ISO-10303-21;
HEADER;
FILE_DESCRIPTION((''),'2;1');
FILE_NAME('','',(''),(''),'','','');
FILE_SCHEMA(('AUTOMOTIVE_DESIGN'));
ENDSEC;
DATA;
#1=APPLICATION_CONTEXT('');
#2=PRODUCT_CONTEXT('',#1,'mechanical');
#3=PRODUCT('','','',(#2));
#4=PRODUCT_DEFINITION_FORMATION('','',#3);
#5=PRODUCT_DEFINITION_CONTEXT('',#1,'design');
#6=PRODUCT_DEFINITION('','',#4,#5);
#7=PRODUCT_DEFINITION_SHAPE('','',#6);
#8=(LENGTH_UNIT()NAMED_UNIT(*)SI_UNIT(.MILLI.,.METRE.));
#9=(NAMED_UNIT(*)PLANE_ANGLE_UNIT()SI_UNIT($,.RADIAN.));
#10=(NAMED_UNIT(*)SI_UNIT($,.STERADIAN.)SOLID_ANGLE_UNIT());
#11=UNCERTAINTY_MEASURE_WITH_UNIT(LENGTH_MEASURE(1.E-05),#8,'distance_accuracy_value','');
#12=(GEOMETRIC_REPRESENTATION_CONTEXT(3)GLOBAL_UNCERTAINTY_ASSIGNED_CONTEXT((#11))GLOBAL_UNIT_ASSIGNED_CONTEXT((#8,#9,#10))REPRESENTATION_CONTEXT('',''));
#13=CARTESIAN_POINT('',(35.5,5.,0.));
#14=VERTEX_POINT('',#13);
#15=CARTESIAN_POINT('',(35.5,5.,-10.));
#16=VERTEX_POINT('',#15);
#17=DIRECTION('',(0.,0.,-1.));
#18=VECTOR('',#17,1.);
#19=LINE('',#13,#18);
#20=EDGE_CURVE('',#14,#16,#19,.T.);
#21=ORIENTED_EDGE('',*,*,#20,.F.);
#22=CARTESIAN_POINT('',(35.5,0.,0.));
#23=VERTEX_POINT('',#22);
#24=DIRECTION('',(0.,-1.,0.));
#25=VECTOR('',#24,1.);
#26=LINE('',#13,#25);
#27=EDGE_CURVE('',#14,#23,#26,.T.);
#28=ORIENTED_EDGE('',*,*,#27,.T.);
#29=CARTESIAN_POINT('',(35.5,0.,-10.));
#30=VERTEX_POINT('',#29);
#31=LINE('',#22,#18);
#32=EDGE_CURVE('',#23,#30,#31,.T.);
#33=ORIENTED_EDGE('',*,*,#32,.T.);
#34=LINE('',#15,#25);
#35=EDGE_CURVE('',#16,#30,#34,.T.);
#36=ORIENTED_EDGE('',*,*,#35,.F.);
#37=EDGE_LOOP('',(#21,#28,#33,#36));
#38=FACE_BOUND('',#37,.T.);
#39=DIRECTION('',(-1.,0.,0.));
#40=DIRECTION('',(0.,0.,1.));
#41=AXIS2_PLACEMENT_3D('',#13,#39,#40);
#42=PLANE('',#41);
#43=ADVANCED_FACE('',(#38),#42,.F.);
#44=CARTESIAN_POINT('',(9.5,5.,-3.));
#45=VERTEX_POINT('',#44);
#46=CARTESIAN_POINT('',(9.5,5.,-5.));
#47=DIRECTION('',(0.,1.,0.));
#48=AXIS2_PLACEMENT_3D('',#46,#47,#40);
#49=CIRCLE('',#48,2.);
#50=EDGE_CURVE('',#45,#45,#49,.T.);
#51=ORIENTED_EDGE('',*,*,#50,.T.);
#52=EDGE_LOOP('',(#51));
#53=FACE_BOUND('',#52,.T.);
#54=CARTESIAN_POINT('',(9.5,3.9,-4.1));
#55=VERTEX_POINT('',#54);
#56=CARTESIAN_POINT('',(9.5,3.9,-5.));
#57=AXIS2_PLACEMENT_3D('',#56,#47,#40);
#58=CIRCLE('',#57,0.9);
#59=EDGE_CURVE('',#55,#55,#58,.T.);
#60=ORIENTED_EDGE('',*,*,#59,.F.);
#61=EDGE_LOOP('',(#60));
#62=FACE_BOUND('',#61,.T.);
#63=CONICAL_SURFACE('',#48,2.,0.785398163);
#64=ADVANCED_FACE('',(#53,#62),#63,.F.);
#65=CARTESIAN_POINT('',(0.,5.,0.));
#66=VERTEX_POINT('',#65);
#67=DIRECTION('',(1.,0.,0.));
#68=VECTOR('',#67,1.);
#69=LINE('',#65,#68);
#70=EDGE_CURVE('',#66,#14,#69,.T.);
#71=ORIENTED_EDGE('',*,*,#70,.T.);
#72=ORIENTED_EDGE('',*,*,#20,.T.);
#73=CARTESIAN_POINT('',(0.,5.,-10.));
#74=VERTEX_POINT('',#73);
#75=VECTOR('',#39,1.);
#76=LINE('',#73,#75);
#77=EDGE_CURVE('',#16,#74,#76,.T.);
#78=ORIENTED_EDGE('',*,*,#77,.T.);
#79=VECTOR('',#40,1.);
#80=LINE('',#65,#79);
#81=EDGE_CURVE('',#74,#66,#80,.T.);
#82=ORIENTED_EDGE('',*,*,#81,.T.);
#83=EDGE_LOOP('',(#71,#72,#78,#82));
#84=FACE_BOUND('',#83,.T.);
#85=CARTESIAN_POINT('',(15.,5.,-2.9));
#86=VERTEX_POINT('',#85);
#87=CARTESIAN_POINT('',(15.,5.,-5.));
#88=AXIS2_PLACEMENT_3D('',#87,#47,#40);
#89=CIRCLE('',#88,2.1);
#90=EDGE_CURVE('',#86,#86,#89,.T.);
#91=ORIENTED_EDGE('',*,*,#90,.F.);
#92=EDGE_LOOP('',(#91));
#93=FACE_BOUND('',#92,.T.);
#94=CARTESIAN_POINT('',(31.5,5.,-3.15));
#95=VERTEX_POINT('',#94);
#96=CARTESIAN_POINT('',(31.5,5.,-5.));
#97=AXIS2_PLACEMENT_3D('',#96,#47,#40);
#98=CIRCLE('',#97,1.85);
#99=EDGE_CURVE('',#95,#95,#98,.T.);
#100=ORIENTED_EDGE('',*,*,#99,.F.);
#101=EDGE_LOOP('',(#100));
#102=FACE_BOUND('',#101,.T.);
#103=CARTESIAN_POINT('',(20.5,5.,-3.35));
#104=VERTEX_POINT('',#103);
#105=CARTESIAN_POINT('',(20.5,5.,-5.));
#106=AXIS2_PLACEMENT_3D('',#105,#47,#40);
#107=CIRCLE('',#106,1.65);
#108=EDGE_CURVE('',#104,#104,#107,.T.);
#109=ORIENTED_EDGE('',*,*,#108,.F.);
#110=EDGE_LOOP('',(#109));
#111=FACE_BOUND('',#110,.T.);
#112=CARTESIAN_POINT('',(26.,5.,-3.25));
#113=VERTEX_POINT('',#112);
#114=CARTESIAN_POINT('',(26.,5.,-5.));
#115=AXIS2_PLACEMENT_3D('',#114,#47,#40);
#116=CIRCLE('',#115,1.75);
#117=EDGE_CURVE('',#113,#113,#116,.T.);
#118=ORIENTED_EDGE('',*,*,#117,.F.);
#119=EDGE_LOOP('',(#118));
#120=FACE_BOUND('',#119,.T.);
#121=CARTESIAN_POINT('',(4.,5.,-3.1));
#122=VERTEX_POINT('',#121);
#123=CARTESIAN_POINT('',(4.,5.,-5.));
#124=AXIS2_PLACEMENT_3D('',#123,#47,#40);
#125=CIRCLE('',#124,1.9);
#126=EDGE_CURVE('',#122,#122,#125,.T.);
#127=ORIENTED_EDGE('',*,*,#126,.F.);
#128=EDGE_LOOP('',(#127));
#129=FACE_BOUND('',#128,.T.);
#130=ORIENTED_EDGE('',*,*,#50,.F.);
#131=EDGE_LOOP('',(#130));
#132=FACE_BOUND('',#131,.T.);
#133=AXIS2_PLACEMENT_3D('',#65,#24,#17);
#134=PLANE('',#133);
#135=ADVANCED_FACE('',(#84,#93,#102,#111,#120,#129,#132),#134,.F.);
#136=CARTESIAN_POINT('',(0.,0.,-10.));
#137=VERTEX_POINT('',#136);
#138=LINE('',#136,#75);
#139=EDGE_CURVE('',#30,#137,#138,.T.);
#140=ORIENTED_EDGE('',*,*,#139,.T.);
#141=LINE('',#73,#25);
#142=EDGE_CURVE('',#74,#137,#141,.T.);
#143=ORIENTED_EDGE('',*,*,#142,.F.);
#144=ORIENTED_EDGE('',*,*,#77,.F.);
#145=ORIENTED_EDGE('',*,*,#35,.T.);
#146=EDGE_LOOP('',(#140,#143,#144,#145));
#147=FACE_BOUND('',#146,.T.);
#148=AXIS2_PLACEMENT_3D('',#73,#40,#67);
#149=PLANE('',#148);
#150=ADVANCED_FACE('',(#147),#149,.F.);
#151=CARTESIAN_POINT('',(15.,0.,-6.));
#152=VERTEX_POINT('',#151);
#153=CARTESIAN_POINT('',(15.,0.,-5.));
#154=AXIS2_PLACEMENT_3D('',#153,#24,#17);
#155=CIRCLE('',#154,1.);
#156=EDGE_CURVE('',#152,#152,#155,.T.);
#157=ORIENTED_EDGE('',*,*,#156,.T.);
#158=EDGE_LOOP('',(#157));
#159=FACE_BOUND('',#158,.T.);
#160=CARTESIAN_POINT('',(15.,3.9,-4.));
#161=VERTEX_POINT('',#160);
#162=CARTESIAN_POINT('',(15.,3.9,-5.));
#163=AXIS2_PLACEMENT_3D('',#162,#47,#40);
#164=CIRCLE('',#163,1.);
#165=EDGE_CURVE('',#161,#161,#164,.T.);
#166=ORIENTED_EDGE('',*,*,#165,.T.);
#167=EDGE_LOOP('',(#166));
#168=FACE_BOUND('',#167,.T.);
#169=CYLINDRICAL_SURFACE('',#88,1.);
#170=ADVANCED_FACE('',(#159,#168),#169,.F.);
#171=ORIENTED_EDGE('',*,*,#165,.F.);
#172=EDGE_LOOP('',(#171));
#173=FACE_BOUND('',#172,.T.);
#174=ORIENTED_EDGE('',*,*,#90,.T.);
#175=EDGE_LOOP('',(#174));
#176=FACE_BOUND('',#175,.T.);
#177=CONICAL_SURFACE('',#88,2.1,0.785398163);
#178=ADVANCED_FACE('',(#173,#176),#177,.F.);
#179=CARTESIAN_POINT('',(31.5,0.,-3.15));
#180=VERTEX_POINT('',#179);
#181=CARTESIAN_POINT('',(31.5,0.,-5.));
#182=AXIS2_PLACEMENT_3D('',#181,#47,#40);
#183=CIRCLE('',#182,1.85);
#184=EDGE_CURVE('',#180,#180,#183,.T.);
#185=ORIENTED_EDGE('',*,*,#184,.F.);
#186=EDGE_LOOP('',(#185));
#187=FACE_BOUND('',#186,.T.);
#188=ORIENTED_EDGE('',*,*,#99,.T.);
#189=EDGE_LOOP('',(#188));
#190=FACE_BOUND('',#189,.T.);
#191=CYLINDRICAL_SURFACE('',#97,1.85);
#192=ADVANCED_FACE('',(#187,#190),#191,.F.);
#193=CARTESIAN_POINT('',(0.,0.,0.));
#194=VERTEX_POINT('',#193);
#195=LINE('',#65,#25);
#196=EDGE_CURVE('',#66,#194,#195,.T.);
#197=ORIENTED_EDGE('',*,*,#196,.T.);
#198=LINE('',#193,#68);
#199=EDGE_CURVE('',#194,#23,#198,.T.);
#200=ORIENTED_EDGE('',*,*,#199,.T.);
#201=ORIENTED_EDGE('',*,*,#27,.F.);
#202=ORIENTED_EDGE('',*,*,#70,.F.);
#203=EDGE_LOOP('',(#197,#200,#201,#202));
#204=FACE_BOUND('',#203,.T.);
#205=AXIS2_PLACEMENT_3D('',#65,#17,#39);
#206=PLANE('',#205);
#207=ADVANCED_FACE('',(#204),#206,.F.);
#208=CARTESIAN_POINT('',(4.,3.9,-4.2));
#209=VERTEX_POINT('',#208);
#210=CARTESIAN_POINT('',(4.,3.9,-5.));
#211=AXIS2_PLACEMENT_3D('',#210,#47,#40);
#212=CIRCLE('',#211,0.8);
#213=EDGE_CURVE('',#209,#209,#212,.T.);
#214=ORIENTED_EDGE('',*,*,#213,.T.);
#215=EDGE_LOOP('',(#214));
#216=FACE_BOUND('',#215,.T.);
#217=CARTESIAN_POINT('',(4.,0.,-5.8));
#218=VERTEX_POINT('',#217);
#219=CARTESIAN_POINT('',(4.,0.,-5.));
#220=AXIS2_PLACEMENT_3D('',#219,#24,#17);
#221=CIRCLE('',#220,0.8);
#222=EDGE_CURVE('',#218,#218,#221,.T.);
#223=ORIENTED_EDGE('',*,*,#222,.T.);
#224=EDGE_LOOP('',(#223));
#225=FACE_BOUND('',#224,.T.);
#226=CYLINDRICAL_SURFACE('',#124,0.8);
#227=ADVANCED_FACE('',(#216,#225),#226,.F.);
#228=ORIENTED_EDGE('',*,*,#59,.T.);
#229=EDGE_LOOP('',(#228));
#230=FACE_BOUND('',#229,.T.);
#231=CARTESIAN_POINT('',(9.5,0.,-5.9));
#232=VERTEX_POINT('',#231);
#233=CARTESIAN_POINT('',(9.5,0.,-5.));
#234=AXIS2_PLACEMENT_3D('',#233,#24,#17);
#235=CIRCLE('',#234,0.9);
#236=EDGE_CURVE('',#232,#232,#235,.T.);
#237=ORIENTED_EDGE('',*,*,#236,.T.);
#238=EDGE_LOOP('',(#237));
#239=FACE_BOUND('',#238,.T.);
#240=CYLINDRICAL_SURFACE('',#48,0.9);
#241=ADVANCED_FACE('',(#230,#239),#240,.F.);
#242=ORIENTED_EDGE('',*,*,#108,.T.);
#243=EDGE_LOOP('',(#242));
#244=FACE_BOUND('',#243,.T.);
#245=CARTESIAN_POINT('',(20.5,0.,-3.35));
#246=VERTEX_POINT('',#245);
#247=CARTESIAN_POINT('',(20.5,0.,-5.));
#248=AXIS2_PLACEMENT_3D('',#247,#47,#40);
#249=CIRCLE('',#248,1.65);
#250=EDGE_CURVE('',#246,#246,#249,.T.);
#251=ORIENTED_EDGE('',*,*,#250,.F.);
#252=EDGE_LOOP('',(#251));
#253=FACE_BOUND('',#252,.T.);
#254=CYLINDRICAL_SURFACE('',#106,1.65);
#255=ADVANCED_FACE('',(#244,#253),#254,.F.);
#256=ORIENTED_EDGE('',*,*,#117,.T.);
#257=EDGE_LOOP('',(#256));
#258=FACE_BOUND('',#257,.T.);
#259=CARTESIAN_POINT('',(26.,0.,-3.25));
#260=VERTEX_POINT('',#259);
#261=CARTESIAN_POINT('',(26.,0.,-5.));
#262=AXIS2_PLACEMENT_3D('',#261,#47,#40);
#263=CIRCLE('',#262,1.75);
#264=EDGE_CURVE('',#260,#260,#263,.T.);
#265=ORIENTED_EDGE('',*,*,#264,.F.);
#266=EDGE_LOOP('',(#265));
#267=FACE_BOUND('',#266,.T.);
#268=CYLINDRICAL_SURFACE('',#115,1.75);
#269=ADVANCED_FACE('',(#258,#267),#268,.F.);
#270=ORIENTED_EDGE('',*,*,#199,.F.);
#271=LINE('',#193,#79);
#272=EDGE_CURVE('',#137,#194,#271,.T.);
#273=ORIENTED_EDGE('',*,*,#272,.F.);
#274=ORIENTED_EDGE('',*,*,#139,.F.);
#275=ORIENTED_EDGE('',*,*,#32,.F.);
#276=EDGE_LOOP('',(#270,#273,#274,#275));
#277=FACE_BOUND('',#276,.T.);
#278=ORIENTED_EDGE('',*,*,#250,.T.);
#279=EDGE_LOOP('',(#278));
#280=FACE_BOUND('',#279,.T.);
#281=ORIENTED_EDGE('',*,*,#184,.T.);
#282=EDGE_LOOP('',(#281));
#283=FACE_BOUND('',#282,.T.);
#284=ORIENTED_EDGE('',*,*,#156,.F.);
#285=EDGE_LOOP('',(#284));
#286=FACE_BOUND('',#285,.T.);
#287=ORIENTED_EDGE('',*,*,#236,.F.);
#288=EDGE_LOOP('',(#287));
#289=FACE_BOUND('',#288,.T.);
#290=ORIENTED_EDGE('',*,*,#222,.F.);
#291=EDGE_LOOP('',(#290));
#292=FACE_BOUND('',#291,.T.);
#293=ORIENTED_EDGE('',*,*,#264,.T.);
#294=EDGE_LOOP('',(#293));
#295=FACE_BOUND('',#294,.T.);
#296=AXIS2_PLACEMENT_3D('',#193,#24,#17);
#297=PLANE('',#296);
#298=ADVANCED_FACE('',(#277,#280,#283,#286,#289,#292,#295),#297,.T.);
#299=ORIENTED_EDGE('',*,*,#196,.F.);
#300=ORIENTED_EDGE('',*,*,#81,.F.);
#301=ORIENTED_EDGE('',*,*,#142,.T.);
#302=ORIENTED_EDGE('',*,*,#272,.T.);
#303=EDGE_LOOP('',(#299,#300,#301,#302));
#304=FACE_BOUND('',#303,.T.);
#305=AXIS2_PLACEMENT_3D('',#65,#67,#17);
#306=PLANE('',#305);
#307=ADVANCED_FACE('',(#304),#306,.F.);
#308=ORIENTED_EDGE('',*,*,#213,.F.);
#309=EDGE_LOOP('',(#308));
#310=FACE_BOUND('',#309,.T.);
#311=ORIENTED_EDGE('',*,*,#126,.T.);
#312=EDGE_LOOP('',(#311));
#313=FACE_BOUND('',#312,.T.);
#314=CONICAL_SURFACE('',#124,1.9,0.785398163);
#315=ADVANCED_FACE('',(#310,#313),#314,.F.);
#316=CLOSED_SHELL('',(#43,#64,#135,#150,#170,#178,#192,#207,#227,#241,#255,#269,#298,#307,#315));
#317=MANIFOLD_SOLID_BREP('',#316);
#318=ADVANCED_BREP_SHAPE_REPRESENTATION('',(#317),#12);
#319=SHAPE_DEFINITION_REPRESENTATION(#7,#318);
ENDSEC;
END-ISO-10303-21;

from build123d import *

# Parameters (mm, degrees)
SKETCH1_W                             = 35.5
SKETCH1_H                             = 10
BOSS_EXTRUDE1_DEPTH                   = 5
TAP_DRILL_FOR_M2X0_4_TAP1_D           = 1.8
TAP_DRILL_FOR_M2X0_4_TAP1_DEPTH       = 7
TAP_DRILL_FOR_M2X0_4_TAP1_CSINK_D     = 4
TAP_DRILL_FOR_M2X0_4_TAP1_CSINK_ANGLE = 90
TAP_DRILL_FOR_M2X0_4_TAP1_TIP         = 0.540774557
TAP_DRILL_FOR_M2X0_4_TAP2_D           = 2
TAP_DRILL_FOR_M2X0_4_TAP2_DEPTH       = 7
TAP_DRILL_FOR_M2X0_4_TAP2_CSINK_D     = 4.2
TAP_DRILL_FOR_M2X0_4_TAP2_CSINK_ANGLE = 90
TAP_DRILL_FOR_M2X0_4_TAP2_TIP         = 0.600860619
TAP_DRILL_FOR_M2X0_4_TAP3_D           = 1.6
TAP_DRILL_FOR_M2X0_4_TAP3_DEPTH       = 7
TAP_DRILL_FOR_M2X0_4_TAP3_CSINK_D     = 3.8
TAP_DRILL_FOR_M2X0_4_TAP3_CSINK_ANGLE = 90
TAP_DRILL_FOR_M2X0_4_TAP3_TIP         = 0.480688495
TAP_DRILL_FOR_M4X0_7_TAP1_D           = 3.3
TAP_DRILL_FOR_M4X0_7_TAP1_DEPTH       = 5
TAP_DRILL_FOR_M4X0_7_TAP1_TIP         = 0.991420021
TAP_DRILL_FOR_M4X0_7_TAP2_D           = 3.5
TAP_DRILL_FOR_M4X0_7_TAP2_DEPTH       = 5
TAP_DRILL_FOR_M4X0_7_TAP2_TIP         = 1.051506083
TAP_DRILL_FOR_M4X0_7_TAP3_D           = 3.7
TAP_DRILL_FOR_M4X0_7_TAP3_DEPTH       = 5
TAP_DRILL_FOR_M4X0_7_TAP3_TIP         = 1.111592145


with BuildPart() as part:
    # Sketch1 → Boss-Extrude1 (new body)
    with BuildSketch(Plane(origin=(0, 0, 0), x_dir=(1, 0, 0), z_dir=(0, 1, 0))):
        with Locations((17.75, 5)):
            Rectangle(SKETCH1_W, SKETCH1_H)
    extrude(amount=BOSS_EXTRUDE1_DEPTH)

    # Tap Drill for M2x0.4 Tap1
    with Locations(Plane(origin=(9.5, 5, -5), x_dir=(0, 0, 1), z_dir=(0, 1, 0))):
        with Locations((0, 0)):
            CounterSinkHole(TAP_DRILL_FOR_M2X0_4_TAP1_D / 2, TAP_DRILL_FOR_M2X0_4_TAP1_CSINK_D / 2, depth=TAP_DRILL_FOR_M2X0_4_TAP1_DEPTH, counter_sink_angle=TAP_DRILL_FOR_M2X0_4_TAP1_CSINK_ANGLE)
            with Locations((0, 0, -(TAP_DRILL_FOR_M2X0_4_TAP1_DEPTH + TAP_DRILL_FOR_M2X0_4_TAP1_TIP / 2))):  # 118° drill point
                Cone(0, TAP_DRILL_FOR_M2X0_4_TAP1_D / 2, TAP_DRILL_FOR_M2X0_4_TAP1_TIP, mode=Mode.SUBTRACT)

    # Tap Drill for M2x0.4 Tap2
    with Locations(Plane(origin=(15, 5, -5), x_dir=(0, 0, 1), z_dir=(0, 1, 0))):
        with Locations((0, 0)):
            CounterSinkHole(TAP_DRILL_FOR_M2X0_4_TAP2_D / 2, TAP_DRILL_FOR_M2X0_4_TAP2_CSINK_D / 2, depth=TAP_DRILL_FOR_M2X0_4_TAP2_DEPTH, counter_sink_angle=TAP_DRILL_FOR_M2X0_4_TAP2_CSINK_ANGLE)
            with Locations((0, 0, -(TAP_DRILL_FOR_M2X0_4_TAP2_DEPTH + TAP_DRILL_FOR_M2X0_4_TAP2_TIP / 2))):  # 118° drill point
                Cone(0, TAP_DRILL_FOR_M2X0_4_TAP2_D / 2, TAP_DRILL_FOR_M2X0_4_TAP2_TIP, mode=Mode.SUBTRACT)

    # Tap Drill for M2x0.4 Tap3
    with Locations(Plane(origin=(4, 5, -5), x_dir=(0, 0, 1), z_dir=(0, 1, 0))):
        with Locations((0, 0)):
            CounterSinkHole(TAP_DRILL_FOR_M2X0_4_TAP3_D / 2, TAP_DRILL_FOR_M2X0_4_TAP3_CSINK_D / 2, depth=TAP_DRILL_FOR_M2X0_4_TAP3_DEPTH, counter_sink_angle=TAP_DRILL_FOR_M2X0_4_TAP3_CSINK_ANGLE)
            with Locations((0, 0, -(TAP_DRILL_FOR_M2X0_4_TAP3_DEPTH + TAP_DRILL_FOR_M2X0_4_TAP3_TIP / 2))):  # 118° drill point
                Cone(0, TAP_DRILL_FOR_M2X0_4_TAP3_D / 2, TAP_DRILL_FOR_M2X0_4_TAP3_TIP, mode=Mode.SUBTRACT)

    # Tap Drill for M4x0.7 Tap1
    with Locations(Plane(origin=(20.5, 5, -5), x_dir=(0, 0, 1), z_dir=(0, 1, 0))):
        with Locations((0, 0)):
            Hole(TAP_DRILL_FOR_M4X0_7_TAP1_D / 2, depth=TAP_DRILL_FOR_M4X0_7_TAP1_DEPTH)
            with Locations((0, 0, -(TAP_DRILL_FOR_M4X0_7_TAP1_DEPTH + TAP_DRILL_FOR_M4X0_7_TAP1_TIP / 2))):  # 118° drill point
                Cone(0, TAP_DRILL_FOR_M4X0_7_TAP1_D / 2, TAP_DRILL_FOR_M4X0_7_TAP1_TIP, mode=Mode.SUBTRACT)

    # Tap Drill for M4x0.7 Tap2
    with Locations(Plane(origin=(26, 5, -5), x_dir=(0, 0, 1), z_dir=(0, 1, 0))):
        with Locations((0, 0)):
            Hole(TAP_DRILL_FOR_M4X0_7_TAP2_D / 2, depth=TAP_DRILL_FOR_M4X0_7_TAP2_DEPTH)
            with Locations((0, 0, -(TAP_DRILL_FOR_M4X0_7_TAP2_DEPTH + TAP_DRILL_FOR_M4X0_7_TAP2_TIP / 2))):  # 118° drill point
                Cone(0, TAP_DRILL_FOR_M4X0_7_TAP2_D / 2, TAP_DRILL_FOR_M4X0_7_TAP2_TIP, mode=Mode.SUBTRACT)

    # Tap Drill for M4x0.7 Tap3
    with Locations(Plane(origin=(31.5, 5, -5), x_dir=(0, 0, 1), z_dir=(0, 1, 0))):
        with Locations((0, 0)):
            Hole(TAP_DRILL_FOR_M4X0_7_TAP3_D / 2, depth=TAP_DRILL_FOR_M4X0_7_TAP3_DEPTH)
            with Locations((0, 0, -(TAP_DRILL_FOR_M4X0_7_TAP3_DEPTH + TAP_DRILL_FOR_M4X0_7_TAP3_TIP / 2))):  # 118° drill point
                Cone(0, TAP_DRILL_FOR_M4X0_7_TAP3_D / 2, TAP_DRILL_FOR_M4X0_7_TAP3_TIP, mode=Mode.SUBTRACT)


solid = part.part
